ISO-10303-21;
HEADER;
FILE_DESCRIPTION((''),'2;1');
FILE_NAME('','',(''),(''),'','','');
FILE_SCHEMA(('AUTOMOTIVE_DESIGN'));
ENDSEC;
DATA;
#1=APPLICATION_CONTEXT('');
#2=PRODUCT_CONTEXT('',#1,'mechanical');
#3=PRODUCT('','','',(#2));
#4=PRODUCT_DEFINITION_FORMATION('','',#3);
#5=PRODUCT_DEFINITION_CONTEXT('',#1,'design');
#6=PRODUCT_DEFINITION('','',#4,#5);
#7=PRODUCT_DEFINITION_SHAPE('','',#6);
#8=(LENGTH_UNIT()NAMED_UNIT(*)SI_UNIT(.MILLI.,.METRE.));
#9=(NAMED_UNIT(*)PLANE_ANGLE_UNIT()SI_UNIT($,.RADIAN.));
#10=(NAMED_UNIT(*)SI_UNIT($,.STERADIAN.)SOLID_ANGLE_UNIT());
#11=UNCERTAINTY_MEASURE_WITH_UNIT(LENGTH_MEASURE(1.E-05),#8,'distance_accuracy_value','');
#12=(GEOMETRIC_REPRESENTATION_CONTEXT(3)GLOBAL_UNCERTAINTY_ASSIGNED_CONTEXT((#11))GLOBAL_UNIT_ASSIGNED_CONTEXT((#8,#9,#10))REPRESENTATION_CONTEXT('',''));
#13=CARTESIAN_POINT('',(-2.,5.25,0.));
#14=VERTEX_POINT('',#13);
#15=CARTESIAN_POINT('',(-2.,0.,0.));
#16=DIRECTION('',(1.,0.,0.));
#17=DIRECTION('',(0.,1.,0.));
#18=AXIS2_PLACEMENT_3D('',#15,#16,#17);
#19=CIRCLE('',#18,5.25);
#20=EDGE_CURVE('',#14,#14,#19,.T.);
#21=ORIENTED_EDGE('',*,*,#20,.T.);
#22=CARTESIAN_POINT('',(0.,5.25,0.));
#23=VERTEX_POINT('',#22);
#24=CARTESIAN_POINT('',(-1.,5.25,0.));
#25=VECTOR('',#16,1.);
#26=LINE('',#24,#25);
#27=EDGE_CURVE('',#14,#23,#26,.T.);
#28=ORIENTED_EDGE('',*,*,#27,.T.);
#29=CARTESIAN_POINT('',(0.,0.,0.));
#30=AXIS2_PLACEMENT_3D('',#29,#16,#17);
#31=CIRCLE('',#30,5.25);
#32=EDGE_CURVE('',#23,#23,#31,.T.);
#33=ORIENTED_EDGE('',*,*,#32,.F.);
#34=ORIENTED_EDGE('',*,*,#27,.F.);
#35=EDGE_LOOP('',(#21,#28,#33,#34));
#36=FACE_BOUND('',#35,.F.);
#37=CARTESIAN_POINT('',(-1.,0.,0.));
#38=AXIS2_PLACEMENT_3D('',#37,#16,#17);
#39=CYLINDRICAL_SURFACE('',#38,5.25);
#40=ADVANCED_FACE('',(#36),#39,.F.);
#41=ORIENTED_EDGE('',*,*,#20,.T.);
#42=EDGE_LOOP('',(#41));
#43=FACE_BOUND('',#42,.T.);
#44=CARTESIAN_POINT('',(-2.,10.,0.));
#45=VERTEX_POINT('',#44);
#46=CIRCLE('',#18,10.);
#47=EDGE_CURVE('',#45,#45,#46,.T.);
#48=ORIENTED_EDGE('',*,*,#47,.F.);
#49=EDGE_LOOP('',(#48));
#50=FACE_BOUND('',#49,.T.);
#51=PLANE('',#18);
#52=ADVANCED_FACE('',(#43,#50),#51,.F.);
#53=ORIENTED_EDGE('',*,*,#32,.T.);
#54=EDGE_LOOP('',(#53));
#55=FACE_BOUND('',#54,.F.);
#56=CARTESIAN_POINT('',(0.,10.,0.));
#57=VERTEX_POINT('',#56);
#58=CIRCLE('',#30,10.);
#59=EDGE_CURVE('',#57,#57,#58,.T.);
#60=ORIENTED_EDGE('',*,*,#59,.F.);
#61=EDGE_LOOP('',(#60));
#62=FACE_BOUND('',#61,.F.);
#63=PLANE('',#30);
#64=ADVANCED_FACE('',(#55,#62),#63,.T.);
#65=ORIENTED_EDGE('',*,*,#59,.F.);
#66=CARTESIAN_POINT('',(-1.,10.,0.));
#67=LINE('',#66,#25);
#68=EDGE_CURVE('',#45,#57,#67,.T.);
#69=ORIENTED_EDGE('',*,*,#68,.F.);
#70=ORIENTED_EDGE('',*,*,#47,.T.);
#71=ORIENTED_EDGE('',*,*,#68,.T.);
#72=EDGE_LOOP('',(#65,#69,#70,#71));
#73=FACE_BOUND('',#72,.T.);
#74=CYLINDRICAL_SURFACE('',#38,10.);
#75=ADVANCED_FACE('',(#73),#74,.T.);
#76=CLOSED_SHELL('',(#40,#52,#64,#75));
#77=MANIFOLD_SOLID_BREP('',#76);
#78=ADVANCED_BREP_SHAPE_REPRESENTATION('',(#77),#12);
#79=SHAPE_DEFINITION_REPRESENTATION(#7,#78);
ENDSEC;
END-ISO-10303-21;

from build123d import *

# Parameters (mm, degrees)
SKETCH1_W = 2
SKETCH1_H = 4.75


with BuildPart() as part:
    # Sketch1 → Base-Revolve (revolve)
    with BuildSketch(Plane.XY):
        with Locations((-1, 7.625)):
            Rectangle(SKETCH1_W, SKETCH1_H)
    revolve(axis=Axis((-34.925, 0, 0), (1, 0, 0)))


solid = part.part
